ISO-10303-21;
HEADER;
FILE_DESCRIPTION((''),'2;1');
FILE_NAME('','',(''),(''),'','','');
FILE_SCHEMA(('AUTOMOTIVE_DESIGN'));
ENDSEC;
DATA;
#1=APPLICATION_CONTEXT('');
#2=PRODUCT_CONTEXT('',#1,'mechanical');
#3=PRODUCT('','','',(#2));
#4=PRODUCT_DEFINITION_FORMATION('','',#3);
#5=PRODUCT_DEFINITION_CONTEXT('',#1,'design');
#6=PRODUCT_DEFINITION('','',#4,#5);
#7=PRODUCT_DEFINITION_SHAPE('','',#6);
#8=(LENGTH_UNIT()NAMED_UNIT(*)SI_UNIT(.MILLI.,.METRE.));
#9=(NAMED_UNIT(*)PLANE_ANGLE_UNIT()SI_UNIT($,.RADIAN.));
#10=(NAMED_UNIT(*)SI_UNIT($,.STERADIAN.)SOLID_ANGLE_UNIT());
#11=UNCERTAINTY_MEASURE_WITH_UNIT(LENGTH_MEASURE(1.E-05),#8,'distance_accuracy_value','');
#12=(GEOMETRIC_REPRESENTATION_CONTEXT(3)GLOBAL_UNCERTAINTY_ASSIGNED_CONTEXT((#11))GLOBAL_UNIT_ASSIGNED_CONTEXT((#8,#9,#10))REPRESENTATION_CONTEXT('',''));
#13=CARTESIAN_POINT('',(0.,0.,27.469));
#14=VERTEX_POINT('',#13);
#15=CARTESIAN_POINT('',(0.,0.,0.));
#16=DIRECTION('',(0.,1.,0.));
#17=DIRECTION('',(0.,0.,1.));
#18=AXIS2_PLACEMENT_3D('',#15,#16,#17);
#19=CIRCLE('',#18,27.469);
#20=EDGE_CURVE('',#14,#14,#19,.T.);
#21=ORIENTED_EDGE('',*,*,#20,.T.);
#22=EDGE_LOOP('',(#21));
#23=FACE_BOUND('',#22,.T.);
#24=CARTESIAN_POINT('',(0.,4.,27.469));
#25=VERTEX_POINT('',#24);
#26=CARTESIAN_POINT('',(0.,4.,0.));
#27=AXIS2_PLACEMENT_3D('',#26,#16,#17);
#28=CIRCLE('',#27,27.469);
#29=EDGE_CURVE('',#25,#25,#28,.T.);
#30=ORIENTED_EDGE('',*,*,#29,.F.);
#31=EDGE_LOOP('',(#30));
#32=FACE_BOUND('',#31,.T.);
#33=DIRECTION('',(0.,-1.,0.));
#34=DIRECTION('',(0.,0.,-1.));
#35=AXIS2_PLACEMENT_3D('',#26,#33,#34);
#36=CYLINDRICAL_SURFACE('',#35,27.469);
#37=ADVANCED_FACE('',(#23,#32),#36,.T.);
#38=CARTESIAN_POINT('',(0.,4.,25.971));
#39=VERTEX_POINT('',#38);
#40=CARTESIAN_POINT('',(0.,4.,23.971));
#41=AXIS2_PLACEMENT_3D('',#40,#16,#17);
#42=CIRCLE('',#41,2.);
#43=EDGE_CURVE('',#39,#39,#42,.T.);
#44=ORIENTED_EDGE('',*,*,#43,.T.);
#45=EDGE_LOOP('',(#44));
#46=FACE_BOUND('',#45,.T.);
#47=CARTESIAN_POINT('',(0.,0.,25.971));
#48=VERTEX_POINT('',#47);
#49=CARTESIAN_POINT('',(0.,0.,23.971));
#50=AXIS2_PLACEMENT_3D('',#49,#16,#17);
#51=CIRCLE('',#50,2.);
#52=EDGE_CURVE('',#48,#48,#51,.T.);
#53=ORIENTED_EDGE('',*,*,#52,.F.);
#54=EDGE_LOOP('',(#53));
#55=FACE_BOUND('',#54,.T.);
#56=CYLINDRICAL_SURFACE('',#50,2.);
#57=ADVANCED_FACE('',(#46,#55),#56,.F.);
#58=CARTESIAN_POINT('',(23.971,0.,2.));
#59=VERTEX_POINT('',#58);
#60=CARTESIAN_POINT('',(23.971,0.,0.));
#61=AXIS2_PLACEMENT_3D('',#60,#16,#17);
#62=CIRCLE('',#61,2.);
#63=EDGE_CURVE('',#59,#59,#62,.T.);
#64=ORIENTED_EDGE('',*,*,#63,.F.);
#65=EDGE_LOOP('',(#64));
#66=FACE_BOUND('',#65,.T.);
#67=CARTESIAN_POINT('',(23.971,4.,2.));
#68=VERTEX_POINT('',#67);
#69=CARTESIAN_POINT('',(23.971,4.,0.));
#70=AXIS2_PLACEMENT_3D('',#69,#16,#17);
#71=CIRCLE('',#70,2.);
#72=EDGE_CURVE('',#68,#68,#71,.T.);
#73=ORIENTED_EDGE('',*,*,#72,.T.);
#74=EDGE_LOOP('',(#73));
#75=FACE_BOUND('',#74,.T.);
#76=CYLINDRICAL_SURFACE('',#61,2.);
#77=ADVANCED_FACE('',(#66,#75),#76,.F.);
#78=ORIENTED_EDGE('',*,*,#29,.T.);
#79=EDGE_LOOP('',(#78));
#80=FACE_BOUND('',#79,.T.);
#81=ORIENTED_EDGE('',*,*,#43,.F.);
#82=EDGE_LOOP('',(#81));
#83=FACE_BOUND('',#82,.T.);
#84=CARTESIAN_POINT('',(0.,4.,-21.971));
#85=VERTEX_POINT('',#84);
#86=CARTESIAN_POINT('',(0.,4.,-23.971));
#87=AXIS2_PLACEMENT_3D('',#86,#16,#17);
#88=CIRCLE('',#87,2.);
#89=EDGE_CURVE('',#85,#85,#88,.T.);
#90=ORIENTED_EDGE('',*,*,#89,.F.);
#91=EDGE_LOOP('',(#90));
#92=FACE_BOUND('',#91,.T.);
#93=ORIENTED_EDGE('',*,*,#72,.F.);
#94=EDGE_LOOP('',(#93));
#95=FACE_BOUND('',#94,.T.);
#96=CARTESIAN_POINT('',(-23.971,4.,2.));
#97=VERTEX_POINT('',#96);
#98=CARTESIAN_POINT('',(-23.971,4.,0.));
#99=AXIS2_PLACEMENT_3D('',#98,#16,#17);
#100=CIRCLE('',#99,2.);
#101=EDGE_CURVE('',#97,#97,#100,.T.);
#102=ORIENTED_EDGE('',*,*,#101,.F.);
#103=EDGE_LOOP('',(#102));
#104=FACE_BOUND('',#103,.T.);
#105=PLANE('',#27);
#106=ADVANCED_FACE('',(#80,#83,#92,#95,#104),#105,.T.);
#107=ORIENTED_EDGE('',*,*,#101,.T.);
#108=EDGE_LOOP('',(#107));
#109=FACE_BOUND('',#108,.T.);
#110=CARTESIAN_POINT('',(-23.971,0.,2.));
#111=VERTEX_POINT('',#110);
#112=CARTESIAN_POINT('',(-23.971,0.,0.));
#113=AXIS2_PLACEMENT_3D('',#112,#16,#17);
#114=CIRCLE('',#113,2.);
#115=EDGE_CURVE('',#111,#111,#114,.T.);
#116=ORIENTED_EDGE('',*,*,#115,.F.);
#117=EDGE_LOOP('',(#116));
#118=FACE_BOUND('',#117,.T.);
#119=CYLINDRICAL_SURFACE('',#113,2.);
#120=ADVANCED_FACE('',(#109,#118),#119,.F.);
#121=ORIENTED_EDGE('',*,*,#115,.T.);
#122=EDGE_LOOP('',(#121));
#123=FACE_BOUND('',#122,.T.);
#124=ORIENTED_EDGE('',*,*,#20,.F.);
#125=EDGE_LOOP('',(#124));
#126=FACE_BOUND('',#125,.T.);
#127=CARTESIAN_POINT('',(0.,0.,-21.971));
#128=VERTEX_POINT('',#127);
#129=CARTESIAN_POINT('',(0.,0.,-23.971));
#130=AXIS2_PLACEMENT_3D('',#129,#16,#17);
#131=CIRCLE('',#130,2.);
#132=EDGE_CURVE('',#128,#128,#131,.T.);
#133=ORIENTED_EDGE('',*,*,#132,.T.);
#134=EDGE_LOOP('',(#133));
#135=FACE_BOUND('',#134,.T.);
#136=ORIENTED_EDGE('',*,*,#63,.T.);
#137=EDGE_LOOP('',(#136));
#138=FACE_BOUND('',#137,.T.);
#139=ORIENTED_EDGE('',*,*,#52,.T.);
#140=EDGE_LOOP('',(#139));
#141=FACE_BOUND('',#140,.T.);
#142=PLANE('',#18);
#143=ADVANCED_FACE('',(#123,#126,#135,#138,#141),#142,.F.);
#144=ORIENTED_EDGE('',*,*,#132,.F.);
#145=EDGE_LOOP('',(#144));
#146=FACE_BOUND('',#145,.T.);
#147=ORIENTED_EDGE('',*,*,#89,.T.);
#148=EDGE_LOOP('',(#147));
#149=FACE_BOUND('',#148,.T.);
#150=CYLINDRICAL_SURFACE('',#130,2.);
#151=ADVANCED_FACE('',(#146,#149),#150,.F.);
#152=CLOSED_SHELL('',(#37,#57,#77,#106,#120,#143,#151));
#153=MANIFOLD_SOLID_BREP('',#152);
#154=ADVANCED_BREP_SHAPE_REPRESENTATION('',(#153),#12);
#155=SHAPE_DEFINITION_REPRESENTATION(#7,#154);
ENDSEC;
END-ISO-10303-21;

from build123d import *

# Parameters (mm, degrees)
SKETCH2_R           = 27.469
BOSS_EXTRUDE1_DEPTH = 4
SKETCH3_R           = 2
CUT_EXTRUDE1_DEPTH  = 5


with BuildPart() as part:
    # Sketch2 → Boss-Extrude1 (new body)
    with BuildSketch(Plane(origin=(0, 0, 0), x_dir=(1, 0, 0), z_dir=(0, 1, 0))):
        Circle(SKETCH2_R)
    extrude(amount=BOSS_EXTRUDE1_DEPTH)

    # Sketch3 → Cut-Extrude1 (cut, through all)
    with BuildSketch(Plane(origin=(0, 4, 0), x_dir=(1, 0, 0), z_dir=(0, 1, 0))):
        with Locations((-23.971, 0)):
            Circle(SKETCH3_R)
        with Locations((0, 23.971)):
            Circle(SKETCH3_R)
        with Locations((23.971, 0)):
            Circle(SKETCH3_R)
        with Locations((0, -23.971)):
            Circle(SKETCH3_R)
    extrude(amount=-CUT_EXTRUDE1_DEPTH, mode=Mode.SUBTRACT)


solid = part.part
